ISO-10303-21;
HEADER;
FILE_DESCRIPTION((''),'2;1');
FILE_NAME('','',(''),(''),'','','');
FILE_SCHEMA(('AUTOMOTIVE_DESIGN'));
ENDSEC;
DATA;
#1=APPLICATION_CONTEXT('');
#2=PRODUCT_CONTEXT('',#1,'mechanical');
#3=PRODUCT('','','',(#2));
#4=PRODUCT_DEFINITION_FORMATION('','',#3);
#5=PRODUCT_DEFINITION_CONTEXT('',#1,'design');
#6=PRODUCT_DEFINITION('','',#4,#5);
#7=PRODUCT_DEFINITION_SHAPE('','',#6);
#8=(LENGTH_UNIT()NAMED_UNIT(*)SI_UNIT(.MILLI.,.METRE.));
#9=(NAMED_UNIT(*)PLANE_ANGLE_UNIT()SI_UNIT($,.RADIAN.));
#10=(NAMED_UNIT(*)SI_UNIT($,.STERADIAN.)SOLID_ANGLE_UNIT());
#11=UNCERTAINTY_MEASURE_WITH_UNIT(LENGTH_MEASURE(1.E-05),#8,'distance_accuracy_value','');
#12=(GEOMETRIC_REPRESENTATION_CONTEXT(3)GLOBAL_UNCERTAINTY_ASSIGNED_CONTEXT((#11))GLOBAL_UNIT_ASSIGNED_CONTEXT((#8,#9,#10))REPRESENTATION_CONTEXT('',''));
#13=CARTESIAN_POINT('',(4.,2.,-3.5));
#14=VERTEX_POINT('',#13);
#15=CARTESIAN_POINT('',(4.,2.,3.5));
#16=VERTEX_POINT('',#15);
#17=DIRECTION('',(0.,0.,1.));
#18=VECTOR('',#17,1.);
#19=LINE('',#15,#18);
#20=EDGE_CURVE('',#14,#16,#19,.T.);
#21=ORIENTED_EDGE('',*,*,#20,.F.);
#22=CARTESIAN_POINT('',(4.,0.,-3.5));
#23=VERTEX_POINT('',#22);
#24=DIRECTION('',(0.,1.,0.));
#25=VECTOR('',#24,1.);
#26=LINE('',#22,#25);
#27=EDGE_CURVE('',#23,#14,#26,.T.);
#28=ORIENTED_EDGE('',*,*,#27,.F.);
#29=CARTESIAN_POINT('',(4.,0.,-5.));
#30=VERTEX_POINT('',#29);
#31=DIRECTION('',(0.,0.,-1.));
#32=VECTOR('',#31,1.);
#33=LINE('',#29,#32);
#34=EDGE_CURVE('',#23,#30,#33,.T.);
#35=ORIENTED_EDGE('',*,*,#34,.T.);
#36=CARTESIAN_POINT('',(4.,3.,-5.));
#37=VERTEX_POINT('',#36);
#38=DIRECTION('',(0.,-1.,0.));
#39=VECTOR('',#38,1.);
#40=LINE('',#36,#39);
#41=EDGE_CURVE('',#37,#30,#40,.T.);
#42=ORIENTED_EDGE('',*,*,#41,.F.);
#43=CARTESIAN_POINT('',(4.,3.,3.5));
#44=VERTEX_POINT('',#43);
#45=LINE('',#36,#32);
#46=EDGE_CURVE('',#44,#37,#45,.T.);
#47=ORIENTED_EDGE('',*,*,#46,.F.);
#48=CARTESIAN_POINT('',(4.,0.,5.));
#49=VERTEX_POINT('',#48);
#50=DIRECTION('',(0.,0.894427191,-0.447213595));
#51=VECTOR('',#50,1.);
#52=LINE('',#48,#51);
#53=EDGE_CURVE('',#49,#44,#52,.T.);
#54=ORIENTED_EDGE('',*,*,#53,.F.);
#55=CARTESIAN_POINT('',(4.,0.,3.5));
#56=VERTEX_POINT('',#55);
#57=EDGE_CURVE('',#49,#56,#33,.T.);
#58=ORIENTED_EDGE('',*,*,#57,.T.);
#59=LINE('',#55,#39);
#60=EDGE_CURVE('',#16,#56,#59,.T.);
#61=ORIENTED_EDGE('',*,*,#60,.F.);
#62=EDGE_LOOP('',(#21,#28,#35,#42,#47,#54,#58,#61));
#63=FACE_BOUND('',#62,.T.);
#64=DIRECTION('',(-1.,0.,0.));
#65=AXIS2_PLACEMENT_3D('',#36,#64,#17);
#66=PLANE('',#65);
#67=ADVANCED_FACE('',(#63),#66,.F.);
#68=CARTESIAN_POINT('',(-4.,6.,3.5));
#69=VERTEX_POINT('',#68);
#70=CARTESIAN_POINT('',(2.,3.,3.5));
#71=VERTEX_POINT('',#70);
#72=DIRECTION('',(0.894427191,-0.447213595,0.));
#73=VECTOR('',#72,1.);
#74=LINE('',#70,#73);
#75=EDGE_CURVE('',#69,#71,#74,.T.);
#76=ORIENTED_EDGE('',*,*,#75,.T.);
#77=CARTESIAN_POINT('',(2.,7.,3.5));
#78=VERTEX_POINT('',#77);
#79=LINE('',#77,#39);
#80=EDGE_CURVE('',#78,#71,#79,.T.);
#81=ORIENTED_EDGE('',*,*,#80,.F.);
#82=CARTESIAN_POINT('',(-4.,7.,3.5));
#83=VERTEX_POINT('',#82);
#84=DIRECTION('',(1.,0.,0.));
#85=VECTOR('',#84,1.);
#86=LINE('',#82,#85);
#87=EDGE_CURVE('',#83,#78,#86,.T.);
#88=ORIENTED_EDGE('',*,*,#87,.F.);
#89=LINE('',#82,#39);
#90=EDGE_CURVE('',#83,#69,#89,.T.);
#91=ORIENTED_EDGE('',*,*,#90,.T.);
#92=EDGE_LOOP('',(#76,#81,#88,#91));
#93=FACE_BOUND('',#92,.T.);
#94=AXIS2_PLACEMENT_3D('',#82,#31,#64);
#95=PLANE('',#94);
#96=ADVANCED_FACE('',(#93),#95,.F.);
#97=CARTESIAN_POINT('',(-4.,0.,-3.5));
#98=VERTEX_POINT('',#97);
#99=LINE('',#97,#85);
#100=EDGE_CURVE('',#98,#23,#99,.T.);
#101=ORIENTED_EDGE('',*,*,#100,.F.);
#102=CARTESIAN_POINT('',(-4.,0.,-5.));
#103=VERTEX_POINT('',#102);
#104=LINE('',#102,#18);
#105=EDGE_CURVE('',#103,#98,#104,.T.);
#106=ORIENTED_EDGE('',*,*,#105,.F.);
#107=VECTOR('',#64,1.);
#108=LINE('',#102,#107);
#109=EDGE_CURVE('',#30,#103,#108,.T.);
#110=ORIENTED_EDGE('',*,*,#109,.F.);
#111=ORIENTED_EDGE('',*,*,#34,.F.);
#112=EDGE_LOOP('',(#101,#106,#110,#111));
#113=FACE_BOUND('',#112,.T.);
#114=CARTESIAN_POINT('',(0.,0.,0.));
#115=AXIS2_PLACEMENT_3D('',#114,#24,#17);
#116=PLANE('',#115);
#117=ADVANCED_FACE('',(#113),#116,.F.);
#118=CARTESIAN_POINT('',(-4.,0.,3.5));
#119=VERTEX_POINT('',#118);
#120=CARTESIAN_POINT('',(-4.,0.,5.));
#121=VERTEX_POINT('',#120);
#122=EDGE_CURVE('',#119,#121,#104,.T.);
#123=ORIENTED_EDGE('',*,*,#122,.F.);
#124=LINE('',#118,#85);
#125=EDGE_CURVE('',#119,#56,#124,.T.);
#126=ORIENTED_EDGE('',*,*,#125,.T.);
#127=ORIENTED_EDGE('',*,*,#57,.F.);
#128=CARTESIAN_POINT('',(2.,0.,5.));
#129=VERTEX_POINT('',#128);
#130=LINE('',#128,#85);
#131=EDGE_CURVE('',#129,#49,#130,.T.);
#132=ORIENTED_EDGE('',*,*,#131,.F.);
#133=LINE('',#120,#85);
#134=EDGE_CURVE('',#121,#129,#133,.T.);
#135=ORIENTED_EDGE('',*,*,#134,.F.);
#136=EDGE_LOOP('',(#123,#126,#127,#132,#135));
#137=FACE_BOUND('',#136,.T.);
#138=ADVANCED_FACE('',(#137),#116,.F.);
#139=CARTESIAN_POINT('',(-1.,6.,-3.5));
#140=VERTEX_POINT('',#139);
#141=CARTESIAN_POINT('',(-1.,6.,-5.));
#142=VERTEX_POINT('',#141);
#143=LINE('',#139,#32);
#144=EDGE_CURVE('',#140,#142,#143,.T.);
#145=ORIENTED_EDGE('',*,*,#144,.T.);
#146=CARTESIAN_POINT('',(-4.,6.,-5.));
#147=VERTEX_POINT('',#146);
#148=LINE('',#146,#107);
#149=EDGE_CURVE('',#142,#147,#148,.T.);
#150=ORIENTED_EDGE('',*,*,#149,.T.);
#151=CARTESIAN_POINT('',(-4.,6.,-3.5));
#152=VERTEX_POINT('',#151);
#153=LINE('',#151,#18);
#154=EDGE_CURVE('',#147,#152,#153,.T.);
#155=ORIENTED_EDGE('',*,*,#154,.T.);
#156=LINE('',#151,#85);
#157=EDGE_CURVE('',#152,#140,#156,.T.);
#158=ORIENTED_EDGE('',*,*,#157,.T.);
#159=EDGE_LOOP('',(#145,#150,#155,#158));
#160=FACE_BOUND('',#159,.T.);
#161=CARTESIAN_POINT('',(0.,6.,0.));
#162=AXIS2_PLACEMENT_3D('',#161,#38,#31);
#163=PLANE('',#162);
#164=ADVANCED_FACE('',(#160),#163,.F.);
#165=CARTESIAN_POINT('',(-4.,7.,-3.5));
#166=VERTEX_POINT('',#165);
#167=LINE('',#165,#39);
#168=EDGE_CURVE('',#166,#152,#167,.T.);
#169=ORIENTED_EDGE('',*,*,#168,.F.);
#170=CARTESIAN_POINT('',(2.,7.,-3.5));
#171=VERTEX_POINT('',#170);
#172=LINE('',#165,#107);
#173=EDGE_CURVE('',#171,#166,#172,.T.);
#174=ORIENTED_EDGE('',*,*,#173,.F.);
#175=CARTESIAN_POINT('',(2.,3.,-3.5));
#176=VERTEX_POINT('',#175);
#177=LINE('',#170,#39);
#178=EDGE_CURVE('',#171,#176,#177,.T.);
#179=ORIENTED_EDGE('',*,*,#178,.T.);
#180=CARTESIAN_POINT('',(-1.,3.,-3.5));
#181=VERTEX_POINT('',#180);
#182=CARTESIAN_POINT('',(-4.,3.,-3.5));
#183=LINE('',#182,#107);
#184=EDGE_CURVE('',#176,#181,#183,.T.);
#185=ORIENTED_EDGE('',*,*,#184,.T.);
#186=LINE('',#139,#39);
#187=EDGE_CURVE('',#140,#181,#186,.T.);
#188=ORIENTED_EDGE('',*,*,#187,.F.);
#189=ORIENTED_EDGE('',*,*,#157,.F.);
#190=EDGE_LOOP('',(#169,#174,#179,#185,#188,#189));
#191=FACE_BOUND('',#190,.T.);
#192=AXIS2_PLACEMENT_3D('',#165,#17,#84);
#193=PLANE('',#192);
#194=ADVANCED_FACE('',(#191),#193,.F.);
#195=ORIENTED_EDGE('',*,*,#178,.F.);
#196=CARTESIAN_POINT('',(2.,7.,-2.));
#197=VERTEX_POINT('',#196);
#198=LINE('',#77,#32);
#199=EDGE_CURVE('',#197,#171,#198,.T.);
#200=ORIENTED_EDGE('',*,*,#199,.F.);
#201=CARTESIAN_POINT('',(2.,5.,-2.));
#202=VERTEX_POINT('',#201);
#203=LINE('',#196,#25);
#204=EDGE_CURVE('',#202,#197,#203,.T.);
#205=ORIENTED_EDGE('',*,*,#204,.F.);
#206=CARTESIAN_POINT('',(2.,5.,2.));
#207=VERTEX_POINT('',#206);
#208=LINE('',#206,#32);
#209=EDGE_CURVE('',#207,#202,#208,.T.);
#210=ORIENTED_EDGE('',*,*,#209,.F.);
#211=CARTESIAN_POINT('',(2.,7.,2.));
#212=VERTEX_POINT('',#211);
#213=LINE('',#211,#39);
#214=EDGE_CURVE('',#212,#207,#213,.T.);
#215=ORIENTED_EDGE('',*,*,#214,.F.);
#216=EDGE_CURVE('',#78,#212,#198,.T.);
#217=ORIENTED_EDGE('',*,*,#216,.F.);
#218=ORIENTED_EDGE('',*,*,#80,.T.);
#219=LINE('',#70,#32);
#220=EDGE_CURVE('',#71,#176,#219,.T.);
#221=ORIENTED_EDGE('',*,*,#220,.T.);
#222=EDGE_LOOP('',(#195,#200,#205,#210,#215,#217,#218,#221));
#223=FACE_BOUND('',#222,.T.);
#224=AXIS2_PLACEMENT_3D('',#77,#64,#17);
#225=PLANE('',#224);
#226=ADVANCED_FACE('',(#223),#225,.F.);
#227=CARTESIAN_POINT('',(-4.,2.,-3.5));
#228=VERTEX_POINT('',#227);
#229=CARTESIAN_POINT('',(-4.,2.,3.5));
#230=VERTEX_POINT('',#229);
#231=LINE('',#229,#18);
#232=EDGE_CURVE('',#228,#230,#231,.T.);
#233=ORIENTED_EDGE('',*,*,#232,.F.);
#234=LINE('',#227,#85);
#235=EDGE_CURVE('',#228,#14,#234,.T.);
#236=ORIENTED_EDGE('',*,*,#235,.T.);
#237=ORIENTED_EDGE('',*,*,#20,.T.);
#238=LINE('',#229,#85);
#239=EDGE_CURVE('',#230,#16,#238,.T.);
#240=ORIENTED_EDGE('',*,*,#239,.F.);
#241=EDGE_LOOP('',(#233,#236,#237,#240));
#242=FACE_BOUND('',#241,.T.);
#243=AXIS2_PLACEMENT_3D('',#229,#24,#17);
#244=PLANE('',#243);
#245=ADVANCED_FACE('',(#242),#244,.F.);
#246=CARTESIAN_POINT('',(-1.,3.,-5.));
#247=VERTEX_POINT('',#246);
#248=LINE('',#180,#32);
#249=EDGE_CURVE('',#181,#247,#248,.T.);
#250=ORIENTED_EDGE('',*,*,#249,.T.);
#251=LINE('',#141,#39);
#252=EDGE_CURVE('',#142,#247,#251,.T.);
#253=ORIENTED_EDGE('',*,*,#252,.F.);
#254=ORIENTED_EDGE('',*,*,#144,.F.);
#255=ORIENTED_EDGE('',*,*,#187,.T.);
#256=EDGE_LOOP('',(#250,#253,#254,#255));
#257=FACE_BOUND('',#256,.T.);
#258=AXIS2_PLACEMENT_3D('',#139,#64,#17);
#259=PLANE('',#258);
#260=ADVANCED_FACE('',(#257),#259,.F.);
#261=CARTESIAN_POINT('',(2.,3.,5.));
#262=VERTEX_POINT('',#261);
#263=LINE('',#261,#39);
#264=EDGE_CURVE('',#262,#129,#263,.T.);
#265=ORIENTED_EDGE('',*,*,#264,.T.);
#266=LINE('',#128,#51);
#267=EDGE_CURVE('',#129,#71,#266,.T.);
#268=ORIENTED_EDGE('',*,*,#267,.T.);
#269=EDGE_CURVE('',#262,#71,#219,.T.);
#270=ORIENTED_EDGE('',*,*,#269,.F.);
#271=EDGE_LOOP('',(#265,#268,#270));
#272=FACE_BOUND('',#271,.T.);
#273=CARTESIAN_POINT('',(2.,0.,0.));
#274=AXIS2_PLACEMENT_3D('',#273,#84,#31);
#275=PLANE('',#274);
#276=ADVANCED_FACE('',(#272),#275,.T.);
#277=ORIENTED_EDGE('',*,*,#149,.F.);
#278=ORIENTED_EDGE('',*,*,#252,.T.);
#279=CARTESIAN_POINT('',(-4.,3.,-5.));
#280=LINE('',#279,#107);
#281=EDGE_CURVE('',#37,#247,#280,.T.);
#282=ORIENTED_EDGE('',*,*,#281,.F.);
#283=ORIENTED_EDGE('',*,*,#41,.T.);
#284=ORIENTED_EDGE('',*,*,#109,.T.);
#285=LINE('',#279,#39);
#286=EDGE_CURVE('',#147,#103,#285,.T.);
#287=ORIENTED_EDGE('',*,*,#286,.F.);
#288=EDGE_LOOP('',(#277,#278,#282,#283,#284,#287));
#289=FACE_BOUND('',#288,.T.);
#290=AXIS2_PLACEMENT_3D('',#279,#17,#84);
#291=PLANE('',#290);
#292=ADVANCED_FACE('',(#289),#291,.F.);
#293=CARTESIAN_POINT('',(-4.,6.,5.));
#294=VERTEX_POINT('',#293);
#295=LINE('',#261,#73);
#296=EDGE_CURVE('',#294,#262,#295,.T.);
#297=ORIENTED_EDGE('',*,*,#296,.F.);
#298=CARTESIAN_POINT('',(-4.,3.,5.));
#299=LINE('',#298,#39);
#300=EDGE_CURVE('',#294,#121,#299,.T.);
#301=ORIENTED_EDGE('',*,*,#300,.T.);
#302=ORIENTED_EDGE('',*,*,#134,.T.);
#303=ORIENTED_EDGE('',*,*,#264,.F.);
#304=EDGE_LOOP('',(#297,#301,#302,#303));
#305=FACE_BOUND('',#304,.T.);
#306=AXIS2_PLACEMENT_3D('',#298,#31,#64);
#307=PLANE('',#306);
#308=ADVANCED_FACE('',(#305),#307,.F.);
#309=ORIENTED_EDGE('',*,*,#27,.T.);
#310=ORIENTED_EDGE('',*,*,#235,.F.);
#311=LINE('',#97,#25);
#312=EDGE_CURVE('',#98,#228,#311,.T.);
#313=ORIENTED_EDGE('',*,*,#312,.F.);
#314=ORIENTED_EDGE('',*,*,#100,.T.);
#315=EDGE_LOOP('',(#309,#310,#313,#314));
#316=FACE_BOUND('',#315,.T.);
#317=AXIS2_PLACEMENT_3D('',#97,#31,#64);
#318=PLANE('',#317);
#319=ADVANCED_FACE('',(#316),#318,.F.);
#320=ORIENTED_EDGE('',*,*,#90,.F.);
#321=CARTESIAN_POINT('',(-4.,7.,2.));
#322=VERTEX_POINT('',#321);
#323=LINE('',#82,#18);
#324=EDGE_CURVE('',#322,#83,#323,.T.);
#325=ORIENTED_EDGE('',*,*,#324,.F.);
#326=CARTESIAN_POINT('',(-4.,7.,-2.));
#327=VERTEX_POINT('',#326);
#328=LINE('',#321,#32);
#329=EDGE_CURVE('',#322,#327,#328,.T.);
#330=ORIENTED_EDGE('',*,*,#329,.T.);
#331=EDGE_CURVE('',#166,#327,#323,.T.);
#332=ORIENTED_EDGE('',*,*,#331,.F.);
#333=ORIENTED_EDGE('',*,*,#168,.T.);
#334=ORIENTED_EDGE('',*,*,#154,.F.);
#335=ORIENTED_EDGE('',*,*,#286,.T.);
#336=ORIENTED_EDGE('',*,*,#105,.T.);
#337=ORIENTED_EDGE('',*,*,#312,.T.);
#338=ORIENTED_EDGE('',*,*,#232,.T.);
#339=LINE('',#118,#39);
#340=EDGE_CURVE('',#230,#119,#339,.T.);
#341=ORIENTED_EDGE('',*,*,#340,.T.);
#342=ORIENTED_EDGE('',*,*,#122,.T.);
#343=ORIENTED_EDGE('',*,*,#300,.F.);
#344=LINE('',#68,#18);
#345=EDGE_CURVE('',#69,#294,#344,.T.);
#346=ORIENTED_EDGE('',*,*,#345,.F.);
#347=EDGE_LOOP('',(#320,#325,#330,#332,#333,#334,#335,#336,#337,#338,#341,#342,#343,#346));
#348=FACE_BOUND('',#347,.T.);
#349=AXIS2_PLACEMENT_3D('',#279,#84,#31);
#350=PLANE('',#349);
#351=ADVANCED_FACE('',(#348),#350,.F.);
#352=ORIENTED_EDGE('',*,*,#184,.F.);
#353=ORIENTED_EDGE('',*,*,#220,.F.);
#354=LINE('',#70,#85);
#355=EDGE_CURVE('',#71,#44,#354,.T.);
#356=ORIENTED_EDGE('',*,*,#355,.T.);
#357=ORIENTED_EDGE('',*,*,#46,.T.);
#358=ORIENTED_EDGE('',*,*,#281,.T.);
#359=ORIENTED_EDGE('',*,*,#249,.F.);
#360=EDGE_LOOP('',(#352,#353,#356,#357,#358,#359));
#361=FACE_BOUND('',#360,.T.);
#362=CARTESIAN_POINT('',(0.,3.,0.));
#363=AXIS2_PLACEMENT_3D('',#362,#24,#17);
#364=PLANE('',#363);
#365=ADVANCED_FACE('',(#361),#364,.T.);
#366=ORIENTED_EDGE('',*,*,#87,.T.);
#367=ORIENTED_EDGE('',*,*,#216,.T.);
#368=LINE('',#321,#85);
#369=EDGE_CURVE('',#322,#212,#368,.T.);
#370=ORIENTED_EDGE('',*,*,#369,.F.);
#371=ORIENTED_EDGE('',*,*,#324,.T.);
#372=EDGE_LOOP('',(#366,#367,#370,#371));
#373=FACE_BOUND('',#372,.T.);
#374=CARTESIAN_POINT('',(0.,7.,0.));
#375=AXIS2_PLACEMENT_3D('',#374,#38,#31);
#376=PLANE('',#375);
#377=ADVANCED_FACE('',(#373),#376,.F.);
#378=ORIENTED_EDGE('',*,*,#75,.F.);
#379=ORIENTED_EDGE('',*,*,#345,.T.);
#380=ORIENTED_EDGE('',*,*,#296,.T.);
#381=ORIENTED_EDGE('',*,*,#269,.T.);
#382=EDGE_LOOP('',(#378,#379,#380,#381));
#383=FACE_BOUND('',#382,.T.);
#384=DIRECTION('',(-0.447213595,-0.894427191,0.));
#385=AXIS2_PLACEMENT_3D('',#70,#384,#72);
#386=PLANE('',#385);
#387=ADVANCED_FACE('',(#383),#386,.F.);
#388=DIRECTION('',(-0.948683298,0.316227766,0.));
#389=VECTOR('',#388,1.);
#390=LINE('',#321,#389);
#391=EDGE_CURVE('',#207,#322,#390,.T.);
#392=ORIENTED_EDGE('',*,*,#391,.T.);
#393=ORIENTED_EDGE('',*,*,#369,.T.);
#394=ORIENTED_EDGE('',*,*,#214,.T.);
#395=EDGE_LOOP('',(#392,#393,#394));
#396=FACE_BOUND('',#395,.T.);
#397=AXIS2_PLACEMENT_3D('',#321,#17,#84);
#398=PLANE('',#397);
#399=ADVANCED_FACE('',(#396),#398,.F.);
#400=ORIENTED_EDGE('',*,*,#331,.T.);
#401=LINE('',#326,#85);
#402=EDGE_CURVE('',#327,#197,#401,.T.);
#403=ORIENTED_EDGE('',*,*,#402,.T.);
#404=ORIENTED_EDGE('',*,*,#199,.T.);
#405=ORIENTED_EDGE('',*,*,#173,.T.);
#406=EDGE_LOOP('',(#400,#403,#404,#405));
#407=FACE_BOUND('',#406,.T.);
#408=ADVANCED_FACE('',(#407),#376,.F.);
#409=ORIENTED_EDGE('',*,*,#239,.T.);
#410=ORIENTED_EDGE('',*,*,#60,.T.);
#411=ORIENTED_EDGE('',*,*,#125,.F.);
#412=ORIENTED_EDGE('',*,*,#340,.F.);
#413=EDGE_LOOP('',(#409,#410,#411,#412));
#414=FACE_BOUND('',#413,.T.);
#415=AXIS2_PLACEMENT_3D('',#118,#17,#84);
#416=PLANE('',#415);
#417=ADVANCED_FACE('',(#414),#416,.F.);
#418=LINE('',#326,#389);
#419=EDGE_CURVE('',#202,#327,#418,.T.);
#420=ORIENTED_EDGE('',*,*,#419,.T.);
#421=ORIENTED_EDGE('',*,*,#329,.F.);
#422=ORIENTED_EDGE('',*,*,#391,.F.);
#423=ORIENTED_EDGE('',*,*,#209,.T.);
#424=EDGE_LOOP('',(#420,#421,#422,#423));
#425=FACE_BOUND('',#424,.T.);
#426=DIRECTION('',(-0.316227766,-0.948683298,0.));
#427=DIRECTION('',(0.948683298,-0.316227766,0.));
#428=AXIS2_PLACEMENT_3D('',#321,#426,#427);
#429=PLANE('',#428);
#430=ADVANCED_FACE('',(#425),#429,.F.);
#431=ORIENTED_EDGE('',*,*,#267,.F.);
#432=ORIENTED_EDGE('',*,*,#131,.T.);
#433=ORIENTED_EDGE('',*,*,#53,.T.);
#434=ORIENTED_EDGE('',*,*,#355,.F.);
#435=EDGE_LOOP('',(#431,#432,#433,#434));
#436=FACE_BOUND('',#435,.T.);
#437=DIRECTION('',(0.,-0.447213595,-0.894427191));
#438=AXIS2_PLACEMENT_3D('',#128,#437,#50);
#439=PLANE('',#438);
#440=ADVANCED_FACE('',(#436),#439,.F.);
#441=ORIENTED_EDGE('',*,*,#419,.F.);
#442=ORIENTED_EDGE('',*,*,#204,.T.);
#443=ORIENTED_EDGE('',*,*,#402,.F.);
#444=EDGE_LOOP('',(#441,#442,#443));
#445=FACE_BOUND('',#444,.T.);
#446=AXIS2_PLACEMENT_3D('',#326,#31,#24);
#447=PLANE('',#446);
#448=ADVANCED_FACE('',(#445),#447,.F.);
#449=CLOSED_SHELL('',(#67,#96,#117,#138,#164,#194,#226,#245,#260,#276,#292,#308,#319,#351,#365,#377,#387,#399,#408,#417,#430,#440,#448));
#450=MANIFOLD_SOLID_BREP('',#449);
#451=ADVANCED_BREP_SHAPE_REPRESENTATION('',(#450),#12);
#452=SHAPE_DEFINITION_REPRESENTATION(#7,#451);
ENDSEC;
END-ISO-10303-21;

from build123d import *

# Parameters (mm, degrees)
CROQUIS1_W              = 8
CROQUIS1_H              = 10
SALIENTE_EXTRUIR1_DEPTH = 3
CROQUIS2_W              = 7
CROQUIS2_H              = 2
CORTAR_EXTRUIR1_DEPTH   = 9
CROQUIS5_W              = 6
CROQUIS5_H              = 7
SALIENTE_EXTRUIR2_DEPTH = 4
CROQUIS6_W              = 6
CROQUIS6_H              = 1.5
SALIENTE_EXTRUIR3_DEPTH = 3
CORTAR_EXTRUIR2_DEPTH   = 1.5
CORTAR_EXTRUIR3_DEPTH   = 2
CROQUIS9_W              = 3
CROQUIS9_H              = 1.5
SALIENTE_EXTRUIR4_DEPTH = 3
CROQUIS10_W             = 4
CROQUIS10_H             = 2
CORTAR_EXTRUIR4_DEPTH   = 7
SALIENTE_EXTRUIR5_DEPTH = 4


with BuildPart() as part:
    # Croquis1 → Saliente-Extruir1 (new body)
    with BuildSketch(Plane(origin=(0, 0, 0), x_dir=(1, 0, 0), z_dir=(0, 1, 0))):
        Rectangle(CROQUIS1_W, CROQUIS1_H)
    extrude(amount=SALIENTE_EXTRUIR1_DEPTH)

    # Croquis2 → Cortar-Extruir1 (cut, through all)
    with BuildSketch(Plane(origin=(4, 0, 0), x_dir=(0, 0, -1), z_dir=(1, 0, 0))):
        with Locations((0, 1)):
            Rectangle(CROQUIS2_W, CROQUIS2_H)
    extrude(amount=-CORTAR_EXTRUIR1_DEPTH, mode=Mode.SUBTRACT)

    # Croquis5 → Saliente-Extruir2 (add)
    with BuildSketch(Plane(origin=(0, 3, 0), x_dir=(1, 0, 0), z_dir=(0, 1, 0))):
        with Locations((-1, 0)):
            Rectangle(CROQUIS5_W, CROQUIS5_H)
    extrude(amount=SALIENTE_EXTRUIR2_DEPTH)

    # Croquis6 → Saliente-Extruir3 (add)
    with BuildSketch(Plane(origin=(0, 3, 0), x_dir=(1, 0, 0), z_dir=(0, 1, 0))):
        with Locations((-1, -4.25)):
            Rectangle(CROQUIS6_W, CROQUIS6_H)
    extrude(amount=SALIENTE_EXTRUIR3_DEPTH)

    # Croquis7 → Cortar-Extruir2 (cut)
    with BuildSketch(Plane.XY.offset(5)):
        Polygon((2, 3), (-4, 6), (2, 6), align=None)
    extrude(amount=-CORTAR_EXTRUIR2_DEPTH, mode=Mode.SUBTRACT)

    # Croquis8 → Cortar-Extruir3 (cut)
    with BuildSketch(Plane(origin=(4, 0, 0), x_dir=(0, 0, -1), z_dir=(1, 0, 0))):
        Polygon((-3.5, 3), (-5, 3), (-5, 0), align=None)
    extrude(amount=-CORTAR_EXTRUIR3_DEPTH, mode=Mode.SUBTRACT)

    # Croquis9 → Saliente-Extruir4 (add)
    with BuildSketch(Plane(origin=(0, 3, 0), x_dir=(1, 0, 0), z_dir=(0, 1, 0))):
        with Locations((-2.5, 4.25)):
            Rectangle(CROQUIS9_W, CROQUIS9_H)
    extrude(amount=SALIENTE_EXTRUIR4_DEPTH)

    # Croquis10 → Cortar-Extruir4 (cut, through all)
    with BuildSketch(Plane(origin=(2, 0, 0), x_dir=(0, 0, -1), z_dir=(1, 0, 0))):
        with Locations((0, 6)):
            Rectangle(CROQUIS10_W, CROQUIS10_H)
    extrude(amount=-CORTAR_EXTRUIR4_DEPTH, mode=Mode.SUBTRACT)

    # Croquis11 → Saliente-Extruir5 (add)
    with BuildSketch(Plane.XY.offset(-2)):
        Polygon((2, 5), (-4, 5), (-4, 7), align=None)
    extrude(amount=SALIENTE_EXTRUIR5_DEPTH)


solid = part.part
